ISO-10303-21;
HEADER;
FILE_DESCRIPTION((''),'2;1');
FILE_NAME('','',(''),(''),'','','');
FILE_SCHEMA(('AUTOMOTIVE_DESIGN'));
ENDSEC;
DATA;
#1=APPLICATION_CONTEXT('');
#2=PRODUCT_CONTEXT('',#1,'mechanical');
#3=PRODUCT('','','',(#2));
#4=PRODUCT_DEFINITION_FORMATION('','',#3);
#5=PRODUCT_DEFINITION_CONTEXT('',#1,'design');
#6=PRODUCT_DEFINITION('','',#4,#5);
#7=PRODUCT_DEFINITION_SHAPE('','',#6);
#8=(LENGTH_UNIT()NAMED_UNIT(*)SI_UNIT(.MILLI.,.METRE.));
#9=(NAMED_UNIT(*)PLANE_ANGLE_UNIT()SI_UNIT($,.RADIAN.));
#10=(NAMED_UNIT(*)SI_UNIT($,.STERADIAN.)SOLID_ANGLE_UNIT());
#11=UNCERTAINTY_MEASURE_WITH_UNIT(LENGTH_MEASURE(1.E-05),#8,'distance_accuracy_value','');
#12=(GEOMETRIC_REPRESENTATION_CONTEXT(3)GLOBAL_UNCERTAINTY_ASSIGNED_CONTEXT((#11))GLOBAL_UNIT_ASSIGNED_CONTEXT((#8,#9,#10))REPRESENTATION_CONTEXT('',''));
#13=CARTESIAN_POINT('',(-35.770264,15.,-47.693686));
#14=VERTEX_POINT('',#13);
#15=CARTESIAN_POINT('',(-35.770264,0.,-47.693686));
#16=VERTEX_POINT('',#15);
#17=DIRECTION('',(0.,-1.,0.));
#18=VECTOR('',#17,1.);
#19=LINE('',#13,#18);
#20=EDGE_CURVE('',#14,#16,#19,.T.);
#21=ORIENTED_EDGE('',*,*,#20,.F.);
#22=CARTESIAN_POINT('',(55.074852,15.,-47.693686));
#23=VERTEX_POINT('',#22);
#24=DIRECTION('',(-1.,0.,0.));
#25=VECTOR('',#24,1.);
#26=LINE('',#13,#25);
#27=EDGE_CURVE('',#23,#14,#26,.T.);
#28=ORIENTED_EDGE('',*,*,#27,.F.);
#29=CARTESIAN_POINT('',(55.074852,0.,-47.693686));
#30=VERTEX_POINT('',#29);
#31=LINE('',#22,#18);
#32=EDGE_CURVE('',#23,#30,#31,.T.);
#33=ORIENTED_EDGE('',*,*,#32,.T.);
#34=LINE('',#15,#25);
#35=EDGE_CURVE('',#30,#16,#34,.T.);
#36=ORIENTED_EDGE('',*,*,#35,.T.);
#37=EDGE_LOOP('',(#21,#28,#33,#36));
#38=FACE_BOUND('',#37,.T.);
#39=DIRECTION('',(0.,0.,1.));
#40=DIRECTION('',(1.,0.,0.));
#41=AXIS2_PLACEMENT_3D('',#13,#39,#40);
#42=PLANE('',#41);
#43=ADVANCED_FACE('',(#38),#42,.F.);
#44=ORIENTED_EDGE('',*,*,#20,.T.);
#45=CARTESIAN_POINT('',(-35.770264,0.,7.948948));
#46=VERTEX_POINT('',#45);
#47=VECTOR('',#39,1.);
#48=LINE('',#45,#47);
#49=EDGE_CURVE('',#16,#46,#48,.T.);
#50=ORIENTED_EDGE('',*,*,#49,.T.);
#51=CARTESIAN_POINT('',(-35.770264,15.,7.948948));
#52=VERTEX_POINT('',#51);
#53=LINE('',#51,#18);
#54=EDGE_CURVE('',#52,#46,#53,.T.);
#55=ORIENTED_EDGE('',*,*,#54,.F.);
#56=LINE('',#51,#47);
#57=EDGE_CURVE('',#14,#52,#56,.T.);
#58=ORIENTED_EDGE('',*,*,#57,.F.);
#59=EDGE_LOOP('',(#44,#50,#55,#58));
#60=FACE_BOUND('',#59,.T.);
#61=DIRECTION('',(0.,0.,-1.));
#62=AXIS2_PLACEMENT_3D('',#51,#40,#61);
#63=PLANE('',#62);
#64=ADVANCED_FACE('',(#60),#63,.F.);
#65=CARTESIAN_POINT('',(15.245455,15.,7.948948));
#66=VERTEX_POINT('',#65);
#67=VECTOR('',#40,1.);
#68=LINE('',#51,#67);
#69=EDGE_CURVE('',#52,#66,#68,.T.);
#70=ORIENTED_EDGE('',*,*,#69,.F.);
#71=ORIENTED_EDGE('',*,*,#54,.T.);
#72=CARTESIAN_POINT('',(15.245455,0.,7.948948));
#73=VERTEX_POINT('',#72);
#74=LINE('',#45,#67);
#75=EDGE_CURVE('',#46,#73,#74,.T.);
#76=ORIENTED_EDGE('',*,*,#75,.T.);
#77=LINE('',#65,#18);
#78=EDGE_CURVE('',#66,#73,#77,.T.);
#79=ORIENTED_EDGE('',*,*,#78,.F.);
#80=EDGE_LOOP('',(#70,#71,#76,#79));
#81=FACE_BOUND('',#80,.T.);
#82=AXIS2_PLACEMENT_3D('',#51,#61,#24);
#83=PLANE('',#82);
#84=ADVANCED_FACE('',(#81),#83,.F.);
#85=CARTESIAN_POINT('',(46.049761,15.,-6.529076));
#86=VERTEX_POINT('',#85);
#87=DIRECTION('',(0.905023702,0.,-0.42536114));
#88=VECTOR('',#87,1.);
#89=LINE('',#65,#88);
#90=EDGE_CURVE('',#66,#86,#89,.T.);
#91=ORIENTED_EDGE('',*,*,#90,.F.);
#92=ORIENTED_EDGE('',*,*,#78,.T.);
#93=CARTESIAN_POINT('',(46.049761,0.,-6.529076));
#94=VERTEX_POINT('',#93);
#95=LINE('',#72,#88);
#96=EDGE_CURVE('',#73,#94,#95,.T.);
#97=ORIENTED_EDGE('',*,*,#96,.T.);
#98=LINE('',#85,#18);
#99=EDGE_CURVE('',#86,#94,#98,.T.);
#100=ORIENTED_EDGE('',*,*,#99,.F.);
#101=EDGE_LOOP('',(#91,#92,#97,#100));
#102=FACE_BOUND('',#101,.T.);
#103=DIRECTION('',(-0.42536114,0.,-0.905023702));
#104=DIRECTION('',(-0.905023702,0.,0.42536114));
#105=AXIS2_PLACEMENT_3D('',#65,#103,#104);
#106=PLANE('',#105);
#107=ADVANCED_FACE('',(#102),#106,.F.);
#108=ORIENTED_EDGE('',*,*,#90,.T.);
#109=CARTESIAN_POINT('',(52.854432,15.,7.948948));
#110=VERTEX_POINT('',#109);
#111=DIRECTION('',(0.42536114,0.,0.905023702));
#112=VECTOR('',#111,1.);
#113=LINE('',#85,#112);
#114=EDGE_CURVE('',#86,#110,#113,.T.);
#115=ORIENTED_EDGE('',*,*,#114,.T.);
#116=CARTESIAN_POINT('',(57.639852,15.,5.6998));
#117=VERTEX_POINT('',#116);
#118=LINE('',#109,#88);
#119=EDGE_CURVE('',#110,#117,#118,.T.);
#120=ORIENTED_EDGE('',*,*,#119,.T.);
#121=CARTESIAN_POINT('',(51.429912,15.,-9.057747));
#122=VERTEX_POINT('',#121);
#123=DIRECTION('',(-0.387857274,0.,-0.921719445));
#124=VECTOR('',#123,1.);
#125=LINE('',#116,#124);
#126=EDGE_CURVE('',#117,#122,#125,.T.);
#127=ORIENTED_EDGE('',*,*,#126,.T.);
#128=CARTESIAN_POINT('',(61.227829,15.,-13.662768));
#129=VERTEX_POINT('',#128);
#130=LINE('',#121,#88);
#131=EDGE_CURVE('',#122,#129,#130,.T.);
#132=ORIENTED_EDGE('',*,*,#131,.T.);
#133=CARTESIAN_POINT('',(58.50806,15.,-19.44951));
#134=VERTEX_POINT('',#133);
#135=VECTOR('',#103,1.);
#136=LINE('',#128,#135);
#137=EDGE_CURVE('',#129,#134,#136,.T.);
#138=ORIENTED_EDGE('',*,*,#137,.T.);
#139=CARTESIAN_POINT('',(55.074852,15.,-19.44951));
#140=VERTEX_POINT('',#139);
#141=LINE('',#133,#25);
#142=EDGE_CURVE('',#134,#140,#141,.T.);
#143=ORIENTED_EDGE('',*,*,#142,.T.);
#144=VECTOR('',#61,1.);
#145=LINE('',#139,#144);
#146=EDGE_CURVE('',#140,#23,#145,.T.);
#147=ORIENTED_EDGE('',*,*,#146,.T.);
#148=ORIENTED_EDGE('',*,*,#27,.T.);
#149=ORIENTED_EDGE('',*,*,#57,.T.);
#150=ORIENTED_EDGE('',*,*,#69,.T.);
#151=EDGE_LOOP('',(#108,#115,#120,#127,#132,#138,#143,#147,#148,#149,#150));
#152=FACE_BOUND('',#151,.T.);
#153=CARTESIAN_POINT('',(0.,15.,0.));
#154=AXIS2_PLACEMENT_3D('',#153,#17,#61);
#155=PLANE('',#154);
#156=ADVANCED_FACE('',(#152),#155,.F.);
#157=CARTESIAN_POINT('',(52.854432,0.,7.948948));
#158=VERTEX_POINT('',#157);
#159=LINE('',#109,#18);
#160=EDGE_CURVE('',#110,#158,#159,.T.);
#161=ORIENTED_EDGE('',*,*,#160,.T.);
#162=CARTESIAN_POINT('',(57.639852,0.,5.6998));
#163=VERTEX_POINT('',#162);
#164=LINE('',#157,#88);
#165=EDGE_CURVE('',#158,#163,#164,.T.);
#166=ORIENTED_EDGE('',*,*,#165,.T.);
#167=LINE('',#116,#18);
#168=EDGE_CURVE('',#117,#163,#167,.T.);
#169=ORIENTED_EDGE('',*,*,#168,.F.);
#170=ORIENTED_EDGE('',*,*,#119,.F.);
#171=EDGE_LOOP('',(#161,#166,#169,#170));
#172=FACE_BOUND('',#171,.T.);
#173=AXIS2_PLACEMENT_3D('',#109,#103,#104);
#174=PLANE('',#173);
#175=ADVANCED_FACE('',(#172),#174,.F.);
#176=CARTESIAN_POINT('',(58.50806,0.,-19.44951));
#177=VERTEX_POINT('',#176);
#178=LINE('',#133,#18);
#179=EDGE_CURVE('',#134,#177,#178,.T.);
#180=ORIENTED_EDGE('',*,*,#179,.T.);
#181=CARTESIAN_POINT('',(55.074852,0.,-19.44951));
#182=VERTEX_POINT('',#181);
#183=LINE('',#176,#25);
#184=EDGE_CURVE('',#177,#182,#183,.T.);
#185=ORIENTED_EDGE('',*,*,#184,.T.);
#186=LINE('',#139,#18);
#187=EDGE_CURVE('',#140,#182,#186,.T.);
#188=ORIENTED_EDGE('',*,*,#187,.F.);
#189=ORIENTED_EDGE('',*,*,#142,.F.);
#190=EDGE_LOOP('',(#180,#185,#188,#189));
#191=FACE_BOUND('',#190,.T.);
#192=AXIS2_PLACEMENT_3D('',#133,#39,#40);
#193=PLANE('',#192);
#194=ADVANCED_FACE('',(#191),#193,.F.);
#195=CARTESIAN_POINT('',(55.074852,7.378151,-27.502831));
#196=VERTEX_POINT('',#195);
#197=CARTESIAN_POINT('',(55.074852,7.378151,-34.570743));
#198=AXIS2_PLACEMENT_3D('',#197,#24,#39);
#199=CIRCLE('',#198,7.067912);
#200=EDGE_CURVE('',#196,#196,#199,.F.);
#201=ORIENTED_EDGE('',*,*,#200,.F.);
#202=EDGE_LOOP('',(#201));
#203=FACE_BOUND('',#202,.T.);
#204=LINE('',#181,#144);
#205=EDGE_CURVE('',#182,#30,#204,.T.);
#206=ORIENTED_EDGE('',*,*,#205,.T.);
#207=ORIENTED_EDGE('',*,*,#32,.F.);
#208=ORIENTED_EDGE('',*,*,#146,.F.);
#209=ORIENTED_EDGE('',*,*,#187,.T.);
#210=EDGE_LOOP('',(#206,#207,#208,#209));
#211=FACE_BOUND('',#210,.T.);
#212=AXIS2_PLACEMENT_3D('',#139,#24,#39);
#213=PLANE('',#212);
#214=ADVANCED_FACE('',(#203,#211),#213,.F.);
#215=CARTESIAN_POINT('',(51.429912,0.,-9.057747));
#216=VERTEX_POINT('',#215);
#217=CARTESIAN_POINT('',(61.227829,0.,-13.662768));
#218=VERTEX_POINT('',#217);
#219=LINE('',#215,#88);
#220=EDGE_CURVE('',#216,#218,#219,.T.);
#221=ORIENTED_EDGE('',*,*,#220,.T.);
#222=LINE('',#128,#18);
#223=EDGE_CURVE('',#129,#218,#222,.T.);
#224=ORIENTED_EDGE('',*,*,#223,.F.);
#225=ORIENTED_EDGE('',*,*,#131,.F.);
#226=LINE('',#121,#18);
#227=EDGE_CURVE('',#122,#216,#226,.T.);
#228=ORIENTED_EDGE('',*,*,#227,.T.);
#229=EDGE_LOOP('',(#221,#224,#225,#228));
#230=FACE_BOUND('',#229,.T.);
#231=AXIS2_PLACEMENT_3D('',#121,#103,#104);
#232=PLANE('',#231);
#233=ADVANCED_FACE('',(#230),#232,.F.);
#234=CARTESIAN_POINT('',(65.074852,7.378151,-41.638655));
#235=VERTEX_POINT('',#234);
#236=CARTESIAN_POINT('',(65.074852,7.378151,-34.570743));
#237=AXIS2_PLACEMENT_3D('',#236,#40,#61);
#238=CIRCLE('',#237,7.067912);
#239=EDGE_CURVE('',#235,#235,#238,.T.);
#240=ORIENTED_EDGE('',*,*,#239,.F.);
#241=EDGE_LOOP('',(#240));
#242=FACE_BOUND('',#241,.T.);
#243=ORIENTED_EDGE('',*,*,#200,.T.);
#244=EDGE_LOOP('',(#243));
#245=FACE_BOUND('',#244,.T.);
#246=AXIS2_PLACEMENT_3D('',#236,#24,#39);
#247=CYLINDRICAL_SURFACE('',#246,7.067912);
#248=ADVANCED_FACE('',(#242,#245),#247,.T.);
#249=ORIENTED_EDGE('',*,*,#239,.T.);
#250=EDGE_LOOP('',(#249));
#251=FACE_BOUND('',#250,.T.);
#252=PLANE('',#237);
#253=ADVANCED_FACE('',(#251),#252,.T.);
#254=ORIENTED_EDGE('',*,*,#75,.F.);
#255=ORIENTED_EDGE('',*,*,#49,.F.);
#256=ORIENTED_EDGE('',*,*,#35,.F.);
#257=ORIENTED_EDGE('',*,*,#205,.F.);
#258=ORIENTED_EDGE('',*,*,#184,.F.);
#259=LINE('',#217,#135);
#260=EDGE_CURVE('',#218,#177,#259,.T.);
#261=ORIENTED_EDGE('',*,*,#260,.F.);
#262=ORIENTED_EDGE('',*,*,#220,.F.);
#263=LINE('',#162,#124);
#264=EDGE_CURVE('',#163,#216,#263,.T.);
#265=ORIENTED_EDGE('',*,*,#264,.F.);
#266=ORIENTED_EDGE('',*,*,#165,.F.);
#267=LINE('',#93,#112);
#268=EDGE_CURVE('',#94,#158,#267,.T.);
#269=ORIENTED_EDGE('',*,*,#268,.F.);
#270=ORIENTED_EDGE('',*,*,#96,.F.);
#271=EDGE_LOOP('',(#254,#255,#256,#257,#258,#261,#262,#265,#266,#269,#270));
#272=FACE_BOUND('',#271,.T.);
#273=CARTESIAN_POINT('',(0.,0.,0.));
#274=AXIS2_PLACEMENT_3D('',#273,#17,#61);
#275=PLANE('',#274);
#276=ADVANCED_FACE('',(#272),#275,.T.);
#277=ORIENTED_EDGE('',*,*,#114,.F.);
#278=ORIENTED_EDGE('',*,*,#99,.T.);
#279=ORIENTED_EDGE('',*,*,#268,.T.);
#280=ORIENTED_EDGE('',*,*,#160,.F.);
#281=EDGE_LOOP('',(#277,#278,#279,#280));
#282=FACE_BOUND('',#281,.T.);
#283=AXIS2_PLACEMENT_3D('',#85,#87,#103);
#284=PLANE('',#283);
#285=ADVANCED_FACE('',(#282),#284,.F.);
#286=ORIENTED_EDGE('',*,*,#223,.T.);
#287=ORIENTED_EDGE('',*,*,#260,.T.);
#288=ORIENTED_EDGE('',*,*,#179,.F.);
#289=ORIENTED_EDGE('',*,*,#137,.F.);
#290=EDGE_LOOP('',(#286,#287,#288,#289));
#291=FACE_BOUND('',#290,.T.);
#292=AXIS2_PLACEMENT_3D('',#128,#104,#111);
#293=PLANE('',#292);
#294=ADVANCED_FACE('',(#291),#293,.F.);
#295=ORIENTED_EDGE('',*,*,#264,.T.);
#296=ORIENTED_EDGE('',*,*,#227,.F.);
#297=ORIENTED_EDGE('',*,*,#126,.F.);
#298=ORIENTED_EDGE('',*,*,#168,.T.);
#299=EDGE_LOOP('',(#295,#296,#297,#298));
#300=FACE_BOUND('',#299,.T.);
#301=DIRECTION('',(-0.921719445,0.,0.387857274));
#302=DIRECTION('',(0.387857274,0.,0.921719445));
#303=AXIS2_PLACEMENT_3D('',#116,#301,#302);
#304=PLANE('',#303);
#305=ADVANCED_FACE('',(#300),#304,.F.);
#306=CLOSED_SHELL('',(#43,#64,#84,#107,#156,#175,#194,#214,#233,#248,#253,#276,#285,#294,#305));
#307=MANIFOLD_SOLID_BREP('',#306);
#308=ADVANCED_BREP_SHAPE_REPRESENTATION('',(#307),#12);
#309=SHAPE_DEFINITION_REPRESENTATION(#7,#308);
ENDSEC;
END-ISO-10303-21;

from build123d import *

# Parameters (mm, degrees)
BOSS_EXTRUDE1_DEPTH = 15
SKETCH2_R           = 7.067911596
BOSS_EXTRUDE2_DEPTH = 10


with BuildPart() as part:
    # Sketch1 → Boss-Extrude1 (new body)
    with BuildSketch(Plane(origin=(0, 0, 0), x_dir=(1, 0, 0), z_dir=(0, 1, 0))):
        Polygon((15.245454551, -7.948947663), (46.04976055, 6.529076156), (52.854431745, -7.948947663), (57.639851776, -5.699800249), (51.429912058, 9.057747365), (61.227828764, 13.662768217), (58.508060239, 19.44950976), (55.074851666, 19.44950976), (55.074851666, 47.693685978), (-35.770264484, 47.693685978), (-35.770264484, -7.948947663), align=None)
    extrude(amount=BOSS_EXTRUDE1_DEPTH)

    # Sketch2 → Boss-Extrude2 (add)
    with BuildSketch(Plane(origin=(55.074851666, 0, 0), x_dir=(0, 0, -1), z_dir=(1, 0, 0))):
        with Locations(Location((34.570742976, 7.378151278, 0), (0, 0, 180))):  # turned: the seam where the file's is
            Circle(SKETCH2_R)
    extrude(amount=BOSS_EXTRUDE2_DEPTH)


solid = part.part
